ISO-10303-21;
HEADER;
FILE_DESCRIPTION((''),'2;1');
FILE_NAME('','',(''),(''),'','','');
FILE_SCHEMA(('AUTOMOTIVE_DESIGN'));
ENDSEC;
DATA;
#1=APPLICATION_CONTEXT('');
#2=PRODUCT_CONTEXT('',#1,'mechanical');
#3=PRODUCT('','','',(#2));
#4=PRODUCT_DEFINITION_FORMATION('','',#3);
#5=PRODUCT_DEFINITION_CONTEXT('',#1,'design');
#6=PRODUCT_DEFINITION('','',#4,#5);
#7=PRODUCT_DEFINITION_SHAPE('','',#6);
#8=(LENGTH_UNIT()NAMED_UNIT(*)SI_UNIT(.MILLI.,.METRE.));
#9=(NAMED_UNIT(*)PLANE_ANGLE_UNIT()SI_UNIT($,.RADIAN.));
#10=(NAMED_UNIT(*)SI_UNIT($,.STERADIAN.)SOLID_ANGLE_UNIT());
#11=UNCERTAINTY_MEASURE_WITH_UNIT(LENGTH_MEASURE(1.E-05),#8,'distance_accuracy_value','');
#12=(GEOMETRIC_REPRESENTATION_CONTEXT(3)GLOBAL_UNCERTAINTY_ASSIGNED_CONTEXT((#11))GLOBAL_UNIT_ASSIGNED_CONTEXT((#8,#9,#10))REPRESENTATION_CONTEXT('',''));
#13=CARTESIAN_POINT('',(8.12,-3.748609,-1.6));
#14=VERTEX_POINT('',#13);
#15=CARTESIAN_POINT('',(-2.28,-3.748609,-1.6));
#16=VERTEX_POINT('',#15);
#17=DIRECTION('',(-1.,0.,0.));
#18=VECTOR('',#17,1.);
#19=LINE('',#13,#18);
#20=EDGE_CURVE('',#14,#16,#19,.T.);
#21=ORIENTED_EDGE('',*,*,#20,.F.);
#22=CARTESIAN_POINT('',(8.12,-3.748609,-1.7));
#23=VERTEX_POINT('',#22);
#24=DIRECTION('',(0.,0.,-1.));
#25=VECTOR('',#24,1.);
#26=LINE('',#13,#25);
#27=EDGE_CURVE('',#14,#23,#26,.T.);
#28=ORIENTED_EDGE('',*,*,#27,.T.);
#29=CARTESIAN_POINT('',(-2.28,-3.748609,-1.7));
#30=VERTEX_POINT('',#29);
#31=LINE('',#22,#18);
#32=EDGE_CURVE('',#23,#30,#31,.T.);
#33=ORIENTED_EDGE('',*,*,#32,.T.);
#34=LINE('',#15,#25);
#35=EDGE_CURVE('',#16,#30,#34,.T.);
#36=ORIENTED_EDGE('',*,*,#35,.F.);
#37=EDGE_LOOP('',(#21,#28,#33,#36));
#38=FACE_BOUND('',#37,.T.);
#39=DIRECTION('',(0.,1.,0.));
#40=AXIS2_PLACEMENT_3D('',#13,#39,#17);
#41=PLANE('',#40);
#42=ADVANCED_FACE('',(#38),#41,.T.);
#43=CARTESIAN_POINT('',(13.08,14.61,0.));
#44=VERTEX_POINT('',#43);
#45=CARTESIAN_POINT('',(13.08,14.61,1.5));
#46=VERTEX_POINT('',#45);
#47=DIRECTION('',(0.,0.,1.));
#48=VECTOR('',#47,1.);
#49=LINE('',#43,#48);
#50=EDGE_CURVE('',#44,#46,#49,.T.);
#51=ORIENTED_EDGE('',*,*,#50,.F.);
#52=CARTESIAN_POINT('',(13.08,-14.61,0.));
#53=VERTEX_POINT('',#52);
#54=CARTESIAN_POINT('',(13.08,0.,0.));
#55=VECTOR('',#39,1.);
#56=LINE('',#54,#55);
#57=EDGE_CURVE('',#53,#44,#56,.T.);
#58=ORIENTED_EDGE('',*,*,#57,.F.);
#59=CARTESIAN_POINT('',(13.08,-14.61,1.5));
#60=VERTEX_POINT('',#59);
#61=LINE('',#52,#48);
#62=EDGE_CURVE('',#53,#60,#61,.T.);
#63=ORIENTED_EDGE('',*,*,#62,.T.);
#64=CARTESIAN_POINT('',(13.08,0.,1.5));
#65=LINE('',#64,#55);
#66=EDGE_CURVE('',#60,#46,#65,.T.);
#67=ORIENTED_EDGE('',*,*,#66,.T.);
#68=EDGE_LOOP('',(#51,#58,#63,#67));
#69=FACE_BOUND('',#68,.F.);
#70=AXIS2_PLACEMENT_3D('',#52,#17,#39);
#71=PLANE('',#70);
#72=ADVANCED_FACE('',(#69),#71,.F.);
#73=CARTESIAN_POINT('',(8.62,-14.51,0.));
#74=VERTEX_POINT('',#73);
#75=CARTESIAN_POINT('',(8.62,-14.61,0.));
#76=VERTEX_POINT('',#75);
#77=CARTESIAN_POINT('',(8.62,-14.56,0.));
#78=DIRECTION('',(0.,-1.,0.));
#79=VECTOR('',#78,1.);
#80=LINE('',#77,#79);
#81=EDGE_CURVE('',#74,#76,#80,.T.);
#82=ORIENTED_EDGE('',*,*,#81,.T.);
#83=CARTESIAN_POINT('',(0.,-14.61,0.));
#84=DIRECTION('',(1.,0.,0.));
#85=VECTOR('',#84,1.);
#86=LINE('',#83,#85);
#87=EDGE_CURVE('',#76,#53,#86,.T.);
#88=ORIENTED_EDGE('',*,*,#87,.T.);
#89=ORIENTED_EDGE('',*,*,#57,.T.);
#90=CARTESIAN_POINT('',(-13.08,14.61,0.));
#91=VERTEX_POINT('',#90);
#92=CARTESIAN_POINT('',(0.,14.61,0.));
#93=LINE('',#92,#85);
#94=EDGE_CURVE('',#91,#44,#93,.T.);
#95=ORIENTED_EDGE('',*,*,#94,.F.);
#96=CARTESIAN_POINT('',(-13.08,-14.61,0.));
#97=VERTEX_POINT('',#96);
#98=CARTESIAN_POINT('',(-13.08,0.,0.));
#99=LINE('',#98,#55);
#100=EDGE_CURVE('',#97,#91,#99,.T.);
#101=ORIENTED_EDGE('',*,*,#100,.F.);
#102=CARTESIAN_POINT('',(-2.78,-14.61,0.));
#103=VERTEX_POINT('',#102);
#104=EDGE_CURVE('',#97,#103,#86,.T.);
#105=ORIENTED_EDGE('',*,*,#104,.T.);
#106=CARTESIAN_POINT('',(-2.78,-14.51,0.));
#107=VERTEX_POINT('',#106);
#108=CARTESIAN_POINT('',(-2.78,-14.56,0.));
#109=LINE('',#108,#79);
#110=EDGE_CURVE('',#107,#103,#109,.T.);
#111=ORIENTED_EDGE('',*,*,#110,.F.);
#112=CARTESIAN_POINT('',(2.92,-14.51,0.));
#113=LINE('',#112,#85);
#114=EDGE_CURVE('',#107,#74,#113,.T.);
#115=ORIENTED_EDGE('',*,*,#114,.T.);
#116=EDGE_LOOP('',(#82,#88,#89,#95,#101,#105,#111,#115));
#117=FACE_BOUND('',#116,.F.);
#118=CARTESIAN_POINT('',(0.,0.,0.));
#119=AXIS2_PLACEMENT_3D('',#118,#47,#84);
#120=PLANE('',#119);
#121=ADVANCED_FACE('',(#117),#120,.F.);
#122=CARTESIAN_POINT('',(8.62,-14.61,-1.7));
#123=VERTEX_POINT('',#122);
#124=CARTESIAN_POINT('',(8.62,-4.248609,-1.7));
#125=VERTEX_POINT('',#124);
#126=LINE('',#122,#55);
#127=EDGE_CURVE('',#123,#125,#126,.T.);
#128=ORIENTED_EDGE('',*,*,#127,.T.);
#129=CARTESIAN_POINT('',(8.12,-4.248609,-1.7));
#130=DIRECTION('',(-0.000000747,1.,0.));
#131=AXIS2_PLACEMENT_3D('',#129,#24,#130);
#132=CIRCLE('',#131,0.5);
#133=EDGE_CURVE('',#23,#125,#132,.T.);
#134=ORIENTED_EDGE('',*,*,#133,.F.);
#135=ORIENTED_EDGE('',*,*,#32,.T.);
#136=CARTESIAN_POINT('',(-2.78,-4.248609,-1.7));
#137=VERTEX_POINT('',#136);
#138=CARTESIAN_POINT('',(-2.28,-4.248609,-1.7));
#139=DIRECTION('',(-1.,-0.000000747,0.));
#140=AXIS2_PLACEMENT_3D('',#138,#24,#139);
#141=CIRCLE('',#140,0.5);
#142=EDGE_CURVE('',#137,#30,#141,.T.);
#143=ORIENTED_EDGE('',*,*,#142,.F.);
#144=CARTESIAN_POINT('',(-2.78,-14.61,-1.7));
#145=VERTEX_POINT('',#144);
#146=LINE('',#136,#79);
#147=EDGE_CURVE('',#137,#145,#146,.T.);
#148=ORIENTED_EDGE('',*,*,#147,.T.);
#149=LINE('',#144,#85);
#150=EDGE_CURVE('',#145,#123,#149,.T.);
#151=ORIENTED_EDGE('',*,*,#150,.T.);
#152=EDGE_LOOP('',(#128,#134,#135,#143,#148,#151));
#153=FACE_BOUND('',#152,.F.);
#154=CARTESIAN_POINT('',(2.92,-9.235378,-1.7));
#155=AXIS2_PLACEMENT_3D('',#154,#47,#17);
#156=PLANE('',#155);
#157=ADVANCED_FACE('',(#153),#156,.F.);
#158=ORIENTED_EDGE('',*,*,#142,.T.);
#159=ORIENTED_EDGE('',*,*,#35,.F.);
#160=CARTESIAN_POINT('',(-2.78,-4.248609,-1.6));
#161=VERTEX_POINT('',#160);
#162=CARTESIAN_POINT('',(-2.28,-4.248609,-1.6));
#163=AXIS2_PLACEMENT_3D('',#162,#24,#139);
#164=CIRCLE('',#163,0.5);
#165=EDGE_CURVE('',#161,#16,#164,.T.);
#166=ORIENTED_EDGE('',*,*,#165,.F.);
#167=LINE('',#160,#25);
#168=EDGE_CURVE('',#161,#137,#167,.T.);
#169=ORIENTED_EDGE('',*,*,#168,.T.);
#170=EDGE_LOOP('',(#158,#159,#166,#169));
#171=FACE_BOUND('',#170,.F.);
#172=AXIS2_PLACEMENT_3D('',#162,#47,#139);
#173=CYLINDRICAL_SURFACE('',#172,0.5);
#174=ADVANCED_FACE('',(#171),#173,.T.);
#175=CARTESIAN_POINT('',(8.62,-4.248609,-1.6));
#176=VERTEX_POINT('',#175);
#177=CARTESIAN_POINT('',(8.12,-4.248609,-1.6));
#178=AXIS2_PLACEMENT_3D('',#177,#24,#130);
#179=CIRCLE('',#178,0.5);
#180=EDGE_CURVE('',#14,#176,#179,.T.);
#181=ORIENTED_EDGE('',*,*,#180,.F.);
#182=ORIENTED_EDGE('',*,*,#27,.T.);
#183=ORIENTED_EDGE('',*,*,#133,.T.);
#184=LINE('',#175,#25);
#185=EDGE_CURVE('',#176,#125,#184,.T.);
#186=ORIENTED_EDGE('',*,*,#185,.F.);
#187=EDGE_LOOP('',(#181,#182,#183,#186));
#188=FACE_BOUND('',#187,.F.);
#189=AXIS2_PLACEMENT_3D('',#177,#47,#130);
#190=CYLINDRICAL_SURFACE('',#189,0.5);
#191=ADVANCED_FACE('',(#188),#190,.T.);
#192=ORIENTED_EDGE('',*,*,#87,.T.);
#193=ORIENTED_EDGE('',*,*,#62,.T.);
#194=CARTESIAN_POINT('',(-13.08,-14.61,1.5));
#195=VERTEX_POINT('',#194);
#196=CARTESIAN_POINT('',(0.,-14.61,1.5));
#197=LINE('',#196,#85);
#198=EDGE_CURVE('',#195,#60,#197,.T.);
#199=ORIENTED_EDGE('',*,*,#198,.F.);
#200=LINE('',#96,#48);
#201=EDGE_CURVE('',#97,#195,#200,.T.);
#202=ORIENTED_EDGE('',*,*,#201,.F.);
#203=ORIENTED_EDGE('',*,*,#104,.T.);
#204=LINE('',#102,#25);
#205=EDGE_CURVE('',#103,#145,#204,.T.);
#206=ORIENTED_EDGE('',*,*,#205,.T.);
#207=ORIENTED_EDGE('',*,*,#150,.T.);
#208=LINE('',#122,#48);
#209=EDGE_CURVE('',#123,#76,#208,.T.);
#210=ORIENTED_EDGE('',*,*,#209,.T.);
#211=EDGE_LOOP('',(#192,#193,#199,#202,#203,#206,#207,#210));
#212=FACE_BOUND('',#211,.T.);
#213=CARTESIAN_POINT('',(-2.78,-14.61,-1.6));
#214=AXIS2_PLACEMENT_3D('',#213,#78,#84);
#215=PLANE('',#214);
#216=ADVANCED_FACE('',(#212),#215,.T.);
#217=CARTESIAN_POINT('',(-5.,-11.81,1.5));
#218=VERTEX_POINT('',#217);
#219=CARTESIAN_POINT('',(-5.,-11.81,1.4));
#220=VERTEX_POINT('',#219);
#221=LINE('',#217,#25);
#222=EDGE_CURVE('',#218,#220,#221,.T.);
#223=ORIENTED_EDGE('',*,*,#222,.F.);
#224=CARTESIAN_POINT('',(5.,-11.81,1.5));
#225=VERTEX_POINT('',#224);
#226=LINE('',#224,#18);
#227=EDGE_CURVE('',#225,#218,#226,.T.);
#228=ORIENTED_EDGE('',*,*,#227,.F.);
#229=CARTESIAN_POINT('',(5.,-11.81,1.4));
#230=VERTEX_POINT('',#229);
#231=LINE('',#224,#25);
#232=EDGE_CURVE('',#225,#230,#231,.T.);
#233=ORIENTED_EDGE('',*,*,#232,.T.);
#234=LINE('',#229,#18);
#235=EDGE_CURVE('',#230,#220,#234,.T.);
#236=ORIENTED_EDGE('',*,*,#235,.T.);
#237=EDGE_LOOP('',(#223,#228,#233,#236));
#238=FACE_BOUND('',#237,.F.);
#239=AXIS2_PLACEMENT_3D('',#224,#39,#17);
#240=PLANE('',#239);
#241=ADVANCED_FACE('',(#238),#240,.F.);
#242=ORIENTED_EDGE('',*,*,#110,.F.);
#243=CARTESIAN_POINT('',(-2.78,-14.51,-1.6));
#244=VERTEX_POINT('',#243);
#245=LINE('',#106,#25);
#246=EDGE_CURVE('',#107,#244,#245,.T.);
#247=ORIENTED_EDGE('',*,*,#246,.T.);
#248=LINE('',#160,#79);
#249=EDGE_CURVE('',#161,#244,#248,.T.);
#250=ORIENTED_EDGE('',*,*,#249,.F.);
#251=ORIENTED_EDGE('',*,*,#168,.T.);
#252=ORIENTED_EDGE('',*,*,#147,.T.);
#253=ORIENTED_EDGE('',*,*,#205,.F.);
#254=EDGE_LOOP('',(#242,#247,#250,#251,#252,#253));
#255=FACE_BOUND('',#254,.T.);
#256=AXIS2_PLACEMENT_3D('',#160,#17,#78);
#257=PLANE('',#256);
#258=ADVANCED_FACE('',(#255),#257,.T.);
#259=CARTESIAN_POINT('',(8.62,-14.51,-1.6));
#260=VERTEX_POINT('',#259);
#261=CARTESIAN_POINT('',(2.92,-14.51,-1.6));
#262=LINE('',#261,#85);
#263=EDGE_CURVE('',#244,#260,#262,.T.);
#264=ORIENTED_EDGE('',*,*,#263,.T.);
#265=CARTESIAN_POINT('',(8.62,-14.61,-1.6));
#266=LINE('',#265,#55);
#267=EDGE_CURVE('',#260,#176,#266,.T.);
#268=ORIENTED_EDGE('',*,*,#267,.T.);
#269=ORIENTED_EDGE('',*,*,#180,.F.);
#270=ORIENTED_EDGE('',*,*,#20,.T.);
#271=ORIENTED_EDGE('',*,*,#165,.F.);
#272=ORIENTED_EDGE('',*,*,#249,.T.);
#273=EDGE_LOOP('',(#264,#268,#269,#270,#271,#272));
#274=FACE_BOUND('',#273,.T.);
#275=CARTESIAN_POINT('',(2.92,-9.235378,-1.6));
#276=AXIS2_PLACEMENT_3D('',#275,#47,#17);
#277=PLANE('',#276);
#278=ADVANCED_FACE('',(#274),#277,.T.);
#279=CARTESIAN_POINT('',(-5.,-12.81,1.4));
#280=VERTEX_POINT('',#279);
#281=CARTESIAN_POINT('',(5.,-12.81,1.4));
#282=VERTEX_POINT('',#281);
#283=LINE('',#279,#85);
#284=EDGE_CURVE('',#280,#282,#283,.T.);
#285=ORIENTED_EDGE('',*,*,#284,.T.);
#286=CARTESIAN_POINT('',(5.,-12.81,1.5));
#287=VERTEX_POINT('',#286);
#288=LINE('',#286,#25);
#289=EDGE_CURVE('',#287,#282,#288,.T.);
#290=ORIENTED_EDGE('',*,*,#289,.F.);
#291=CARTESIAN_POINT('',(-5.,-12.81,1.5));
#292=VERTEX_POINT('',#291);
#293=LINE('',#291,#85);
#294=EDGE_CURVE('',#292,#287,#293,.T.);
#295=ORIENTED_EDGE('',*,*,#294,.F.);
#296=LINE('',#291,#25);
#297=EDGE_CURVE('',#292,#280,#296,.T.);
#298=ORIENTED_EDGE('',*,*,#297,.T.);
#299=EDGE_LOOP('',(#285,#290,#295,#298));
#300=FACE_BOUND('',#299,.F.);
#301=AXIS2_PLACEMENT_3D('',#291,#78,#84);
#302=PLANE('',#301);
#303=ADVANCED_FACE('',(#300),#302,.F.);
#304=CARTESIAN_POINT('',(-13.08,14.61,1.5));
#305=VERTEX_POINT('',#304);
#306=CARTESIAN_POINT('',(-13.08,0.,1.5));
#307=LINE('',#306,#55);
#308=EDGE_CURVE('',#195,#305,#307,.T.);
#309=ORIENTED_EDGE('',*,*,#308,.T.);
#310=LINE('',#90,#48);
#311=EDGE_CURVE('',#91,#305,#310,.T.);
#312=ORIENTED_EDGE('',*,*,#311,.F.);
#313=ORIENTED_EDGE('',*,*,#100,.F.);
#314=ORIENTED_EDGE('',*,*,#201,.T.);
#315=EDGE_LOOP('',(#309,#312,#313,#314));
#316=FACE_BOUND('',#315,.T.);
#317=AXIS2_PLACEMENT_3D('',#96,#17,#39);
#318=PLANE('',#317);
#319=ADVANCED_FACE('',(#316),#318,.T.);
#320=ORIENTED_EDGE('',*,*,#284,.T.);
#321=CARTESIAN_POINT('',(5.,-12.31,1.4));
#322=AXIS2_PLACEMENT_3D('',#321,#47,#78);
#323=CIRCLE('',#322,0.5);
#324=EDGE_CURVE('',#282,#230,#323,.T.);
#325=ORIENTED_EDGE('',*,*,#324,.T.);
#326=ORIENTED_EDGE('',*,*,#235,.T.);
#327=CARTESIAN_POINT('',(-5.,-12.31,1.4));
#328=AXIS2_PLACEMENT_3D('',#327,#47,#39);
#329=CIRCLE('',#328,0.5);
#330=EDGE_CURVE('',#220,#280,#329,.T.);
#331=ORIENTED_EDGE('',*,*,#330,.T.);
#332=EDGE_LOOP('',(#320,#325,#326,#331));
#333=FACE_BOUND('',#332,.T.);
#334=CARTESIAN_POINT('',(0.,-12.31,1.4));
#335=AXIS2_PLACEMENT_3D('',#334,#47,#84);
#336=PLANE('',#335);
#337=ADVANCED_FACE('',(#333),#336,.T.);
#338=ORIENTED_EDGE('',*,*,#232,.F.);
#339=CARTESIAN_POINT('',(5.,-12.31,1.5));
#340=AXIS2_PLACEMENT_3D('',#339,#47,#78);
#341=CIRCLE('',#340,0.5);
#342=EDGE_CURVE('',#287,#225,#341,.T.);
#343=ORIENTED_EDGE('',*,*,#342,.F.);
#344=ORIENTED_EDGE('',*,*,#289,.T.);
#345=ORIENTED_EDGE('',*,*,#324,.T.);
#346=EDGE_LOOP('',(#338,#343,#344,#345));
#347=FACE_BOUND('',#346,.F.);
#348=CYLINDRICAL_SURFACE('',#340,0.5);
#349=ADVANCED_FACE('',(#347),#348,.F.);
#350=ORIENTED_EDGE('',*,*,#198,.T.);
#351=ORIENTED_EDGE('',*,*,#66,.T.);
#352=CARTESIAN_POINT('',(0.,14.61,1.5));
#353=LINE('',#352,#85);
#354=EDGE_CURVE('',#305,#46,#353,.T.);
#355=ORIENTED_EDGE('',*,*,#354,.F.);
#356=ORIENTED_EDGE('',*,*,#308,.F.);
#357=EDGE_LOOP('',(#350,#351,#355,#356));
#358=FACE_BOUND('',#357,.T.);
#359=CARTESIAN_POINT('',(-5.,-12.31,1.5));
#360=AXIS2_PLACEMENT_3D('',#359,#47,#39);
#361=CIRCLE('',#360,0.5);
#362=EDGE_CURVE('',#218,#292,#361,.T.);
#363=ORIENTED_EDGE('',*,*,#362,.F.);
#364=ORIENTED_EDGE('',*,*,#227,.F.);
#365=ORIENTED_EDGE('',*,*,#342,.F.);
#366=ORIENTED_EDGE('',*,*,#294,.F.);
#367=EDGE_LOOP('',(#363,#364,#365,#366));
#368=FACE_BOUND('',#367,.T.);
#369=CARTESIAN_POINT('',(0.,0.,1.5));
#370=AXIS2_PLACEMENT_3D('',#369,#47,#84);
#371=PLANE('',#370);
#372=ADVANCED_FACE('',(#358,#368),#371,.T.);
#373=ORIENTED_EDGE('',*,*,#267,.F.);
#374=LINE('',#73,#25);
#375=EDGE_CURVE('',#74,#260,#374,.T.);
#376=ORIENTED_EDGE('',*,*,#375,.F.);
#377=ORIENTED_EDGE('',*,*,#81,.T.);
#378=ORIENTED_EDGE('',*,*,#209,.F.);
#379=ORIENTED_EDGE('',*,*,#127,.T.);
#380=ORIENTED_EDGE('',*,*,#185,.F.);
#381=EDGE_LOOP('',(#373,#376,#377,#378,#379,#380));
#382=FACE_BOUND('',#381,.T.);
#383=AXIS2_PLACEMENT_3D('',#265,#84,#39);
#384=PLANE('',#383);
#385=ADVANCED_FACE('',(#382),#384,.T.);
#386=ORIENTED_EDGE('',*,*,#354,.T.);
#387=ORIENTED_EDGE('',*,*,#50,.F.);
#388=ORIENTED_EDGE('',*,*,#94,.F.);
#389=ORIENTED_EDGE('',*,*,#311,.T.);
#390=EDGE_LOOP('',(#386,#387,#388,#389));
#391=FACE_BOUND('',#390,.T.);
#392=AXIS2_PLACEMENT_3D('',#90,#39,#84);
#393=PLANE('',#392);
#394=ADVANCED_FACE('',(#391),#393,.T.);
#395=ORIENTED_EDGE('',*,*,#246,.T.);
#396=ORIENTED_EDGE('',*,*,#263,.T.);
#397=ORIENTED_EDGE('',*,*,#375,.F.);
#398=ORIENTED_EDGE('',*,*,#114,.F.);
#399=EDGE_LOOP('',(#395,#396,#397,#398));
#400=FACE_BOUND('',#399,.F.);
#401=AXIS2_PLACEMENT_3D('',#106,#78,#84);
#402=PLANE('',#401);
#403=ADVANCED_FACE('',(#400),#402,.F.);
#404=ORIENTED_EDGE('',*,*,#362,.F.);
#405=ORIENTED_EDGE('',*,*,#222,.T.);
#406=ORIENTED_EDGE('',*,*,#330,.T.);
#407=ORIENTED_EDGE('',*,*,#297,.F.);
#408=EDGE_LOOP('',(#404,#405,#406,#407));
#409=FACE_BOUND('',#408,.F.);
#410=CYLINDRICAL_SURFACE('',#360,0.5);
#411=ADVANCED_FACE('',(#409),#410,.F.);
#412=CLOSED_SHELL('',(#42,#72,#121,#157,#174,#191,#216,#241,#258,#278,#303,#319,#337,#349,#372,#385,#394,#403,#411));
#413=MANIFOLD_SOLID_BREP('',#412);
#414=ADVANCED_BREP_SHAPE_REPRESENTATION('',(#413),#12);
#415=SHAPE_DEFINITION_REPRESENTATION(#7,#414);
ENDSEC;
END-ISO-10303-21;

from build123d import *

# Parameters (mm, degrees)
SKETCH_W     = 26.16
SKETCH_H     = 29.22
PAD_DEPTH    = 1.5
SKETCH001_W  = 23.4
SKETCH001_H  = 23.4
PAD001_DEPTH = 1
SKETCH002_W  = 11.4
SKETCH002_H  = 0.1
PAD002_DEPTH = 1.6
PAD003_DEPTH = 0.1
POCKET_DEPTH = 0.1


with BuildPart() as part:
    # Sketch → Pad (new body)
    with BuildSketch(Plane.XY):
        Rectangle(SKETCH_W, SKETCH_H)
    extrude(amount=PAD_DEPTH)

    # Sketch001 (on Face6 of Pad) → Pad001 (join)
    with BuildSketch(Plane.XY.offset(1.5)):
        with Locations((0, 1.91)):
            Rectangle(SKETCH001_W, SKETCH001_H)
    extrude(amount=-PAD001_DEPTH)

    # Sketch002 (on Face4 of Pad001) → Pad002 (join)
    with BuildSketch(Plane(origin=(0, 0, 0), x_dir=(1, 0, 0), z_dir=(0, 0, -1))):
        with Locations((2.92, 14.56)):
            Rectangle(SKETCH002_W, SKETCH002_H)
    extrude(amount=PAD002_DEPTH)

    # Sketch003 (on Face12 of Pad002) → Pad003 (join)
    with BuildSketch(Plane(origin=(0, 0, -1.6), x_dir=(1, 0, 0), z_dir=(0, 0, -1))):
        with BuildLine():
            Line((-2.78, 14.61), (8.62, 14.61))
            Line((8.62, 14.61), (8.62, 4.248609))
            ThreePointArc((8.12, 3.748609), (8.473553, 3.895055), (8.62, 4.248609))
            Line((8.12, 3.748609), (-2.28, 3.748609))
            ThreePointArc((-2.78, 4.248609), (-2.633553, 3.895055), (-2.28, 3.748609))
            Line((-2.78, 4.248609), (-2.78, 14.61))
        make_face()
    extrude(amount=PAD003_DEPTH)

    # Sketch004 (on Face5 of Pad003) → Pocket (cut)
    with BuildSketch(Plane.XY.offset(1.5)):
        with BuildLine():
            ThreePointArc((-5, -11.81), (-5.5, -12.31), (-5, -12.81))
            Line((-5, -12.81), (5, -12.81))
            ThreePointArc((5, -12.81), (5.5, -12.31), (5, -11.81))
            Line((5, -11.81), (-5, -11.81))
        make_face()
    extrude(amount=-POCKET_DEPTH, mode=Mode.SUBTRACT)


solid = part.part
